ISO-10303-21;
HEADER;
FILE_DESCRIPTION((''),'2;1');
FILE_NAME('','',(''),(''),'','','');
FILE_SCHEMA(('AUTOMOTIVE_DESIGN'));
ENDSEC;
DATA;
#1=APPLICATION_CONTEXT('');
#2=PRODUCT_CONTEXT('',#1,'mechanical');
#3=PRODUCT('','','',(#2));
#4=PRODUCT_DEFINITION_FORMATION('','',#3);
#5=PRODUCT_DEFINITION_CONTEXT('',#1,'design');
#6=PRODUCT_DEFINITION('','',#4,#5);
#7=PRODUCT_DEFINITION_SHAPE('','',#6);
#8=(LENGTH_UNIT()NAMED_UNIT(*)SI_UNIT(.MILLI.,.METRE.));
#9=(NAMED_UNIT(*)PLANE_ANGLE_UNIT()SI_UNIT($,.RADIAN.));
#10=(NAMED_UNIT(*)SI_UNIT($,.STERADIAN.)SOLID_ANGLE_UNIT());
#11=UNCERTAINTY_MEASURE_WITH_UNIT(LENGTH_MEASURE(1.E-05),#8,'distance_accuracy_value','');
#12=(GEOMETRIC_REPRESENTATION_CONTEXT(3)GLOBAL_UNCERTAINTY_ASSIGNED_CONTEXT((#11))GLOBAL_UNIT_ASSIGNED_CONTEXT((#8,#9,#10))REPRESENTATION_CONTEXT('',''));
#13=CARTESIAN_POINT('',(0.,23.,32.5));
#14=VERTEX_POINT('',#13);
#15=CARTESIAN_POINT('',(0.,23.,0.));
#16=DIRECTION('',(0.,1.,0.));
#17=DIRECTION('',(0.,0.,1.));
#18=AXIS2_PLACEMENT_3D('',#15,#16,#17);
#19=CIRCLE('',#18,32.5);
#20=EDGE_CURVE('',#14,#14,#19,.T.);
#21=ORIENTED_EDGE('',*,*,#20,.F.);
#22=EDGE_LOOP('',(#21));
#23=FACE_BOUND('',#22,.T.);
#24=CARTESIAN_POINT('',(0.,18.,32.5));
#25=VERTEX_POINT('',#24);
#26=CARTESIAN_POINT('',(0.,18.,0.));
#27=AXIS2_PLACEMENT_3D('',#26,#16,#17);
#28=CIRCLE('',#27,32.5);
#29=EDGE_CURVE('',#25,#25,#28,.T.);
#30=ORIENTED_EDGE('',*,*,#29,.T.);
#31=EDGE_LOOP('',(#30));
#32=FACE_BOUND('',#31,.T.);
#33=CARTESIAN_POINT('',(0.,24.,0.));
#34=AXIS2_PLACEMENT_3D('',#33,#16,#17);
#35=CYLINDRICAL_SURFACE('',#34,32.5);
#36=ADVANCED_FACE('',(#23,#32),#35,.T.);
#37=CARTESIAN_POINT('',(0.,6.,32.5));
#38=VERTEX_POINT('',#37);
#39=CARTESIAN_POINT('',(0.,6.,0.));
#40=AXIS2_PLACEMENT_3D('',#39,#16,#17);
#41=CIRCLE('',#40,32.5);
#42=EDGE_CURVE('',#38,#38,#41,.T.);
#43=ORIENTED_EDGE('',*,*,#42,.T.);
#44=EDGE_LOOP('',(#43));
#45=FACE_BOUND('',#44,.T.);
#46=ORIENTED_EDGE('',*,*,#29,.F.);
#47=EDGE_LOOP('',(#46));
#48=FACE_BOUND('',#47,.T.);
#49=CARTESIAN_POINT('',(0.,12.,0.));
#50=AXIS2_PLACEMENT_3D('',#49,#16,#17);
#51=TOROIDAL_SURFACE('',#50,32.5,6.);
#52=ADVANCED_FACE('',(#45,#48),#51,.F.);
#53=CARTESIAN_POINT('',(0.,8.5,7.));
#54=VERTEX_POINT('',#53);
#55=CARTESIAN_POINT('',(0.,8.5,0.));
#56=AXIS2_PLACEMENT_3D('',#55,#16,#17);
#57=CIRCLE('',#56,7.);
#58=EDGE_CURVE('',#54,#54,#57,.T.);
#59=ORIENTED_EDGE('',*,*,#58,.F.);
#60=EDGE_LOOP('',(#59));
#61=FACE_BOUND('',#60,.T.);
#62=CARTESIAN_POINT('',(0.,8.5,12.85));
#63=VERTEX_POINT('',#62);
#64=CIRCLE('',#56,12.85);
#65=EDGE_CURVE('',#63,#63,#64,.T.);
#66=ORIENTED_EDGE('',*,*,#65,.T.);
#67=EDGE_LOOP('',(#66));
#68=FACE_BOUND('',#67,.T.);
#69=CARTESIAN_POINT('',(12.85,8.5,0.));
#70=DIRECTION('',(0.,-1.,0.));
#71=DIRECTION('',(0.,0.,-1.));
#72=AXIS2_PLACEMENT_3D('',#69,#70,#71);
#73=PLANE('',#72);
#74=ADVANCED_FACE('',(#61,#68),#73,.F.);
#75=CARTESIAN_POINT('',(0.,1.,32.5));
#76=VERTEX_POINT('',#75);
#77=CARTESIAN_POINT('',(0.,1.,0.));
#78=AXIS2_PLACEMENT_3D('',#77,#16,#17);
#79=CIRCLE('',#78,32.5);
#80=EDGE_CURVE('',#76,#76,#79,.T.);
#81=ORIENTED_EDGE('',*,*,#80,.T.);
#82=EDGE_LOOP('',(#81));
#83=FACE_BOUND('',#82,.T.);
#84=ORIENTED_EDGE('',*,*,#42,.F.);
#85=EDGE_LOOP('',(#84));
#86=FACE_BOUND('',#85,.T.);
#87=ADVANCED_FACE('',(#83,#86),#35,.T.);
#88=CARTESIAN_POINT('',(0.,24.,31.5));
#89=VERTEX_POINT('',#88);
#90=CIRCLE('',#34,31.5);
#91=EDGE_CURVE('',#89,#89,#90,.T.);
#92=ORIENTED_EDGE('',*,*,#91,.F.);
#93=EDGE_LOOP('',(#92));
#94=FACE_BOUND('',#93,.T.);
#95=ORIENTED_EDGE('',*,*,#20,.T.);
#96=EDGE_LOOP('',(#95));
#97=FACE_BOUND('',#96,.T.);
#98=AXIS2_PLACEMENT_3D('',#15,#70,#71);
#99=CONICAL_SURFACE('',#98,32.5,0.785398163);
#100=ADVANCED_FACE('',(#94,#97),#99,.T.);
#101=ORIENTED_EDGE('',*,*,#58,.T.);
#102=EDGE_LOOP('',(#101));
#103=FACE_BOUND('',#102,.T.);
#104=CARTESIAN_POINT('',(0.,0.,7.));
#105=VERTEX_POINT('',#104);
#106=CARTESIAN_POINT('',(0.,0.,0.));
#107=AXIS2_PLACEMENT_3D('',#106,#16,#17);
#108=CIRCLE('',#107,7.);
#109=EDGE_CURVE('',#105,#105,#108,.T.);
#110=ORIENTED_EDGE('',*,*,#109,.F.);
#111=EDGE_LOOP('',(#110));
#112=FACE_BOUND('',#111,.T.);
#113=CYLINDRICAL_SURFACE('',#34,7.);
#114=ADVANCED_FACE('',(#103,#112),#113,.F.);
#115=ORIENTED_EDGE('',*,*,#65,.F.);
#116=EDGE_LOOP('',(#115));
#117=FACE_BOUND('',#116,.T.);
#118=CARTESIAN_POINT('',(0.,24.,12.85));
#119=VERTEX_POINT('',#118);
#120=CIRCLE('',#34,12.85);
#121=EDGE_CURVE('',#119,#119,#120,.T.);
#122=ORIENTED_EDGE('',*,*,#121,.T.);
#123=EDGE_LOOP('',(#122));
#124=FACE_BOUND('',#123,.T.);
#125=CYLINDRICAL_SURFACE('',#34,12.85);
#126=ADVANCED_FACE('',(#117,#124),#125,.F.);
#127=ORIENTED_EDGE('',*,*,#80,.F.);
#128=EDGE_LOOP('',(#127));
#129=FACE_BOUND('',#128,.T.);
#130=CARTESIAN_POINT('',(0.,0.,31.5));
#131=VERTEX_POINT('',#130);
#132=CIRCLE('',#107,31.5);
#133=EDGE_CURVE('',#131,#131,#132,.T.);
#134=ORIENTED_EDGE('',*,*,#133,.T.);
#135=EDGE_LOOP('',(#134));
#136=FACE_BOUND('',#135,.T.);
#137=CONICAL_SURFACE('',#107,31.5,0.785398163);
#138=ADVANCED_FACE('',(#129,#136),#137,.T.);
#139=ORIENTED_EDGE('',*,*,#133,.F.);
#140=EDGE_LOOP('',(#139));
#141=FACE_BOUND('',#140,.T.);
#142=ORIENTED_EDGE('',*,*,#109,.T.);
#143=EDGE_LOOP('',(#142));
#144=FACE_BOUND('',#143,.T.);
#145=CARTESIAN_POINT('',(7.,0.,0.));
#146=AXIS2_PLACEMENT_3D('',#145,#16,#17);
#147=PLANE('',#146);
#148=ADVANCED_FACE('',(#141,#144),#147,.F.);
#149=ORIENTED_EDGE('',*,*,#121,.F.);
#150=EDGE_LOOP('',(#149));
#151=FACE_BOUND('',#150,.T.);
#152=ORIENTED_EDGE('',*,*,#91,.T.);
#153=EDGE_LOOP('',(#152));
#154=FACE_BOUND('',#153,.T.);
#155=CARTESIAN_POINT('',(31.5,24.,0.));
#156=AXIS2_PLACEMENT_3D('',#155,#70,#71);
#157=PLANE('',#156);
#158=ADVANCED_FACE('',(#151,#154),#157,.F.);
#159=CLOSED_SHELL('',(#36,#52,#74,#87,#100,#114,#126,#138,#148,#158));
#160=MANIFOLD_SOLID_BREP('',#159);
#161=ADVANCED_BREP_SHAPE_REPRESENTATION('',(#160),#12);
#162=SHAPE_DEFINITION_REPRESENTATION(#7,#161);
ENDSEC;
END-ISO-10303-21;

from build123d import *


with BuildPart() as part:
    # Sketch1 → Revolve1 (revolve)
    with BuildSketch(Plane.XY, mode=Mode.PRIVATE) as revolve1_sk:
        with BuildLine():
            Line((7, 0), (31.5, 0))
            Line((31.5, 0), (32.5, 1))
            Line((32.5, 1), (32.5, 6))
            ThreePointArc((32.5, 6), (26.5, 12), (32.5, 18))
            Line((32.5, 18), (32.5, 23))
            Line((32.5, 23), (31.5, 24))
            Line((31.5, 24), (12.85, 24))
            Line((12.85, 24), (12.85, 8.5))
            Line((12.85, 8.5), (7, 8.5))
            Line((7, 8.5), (7, 0))
        make_face()
    revolve(revolve1_sk.sketch.rotate(Axis((0, 24, 0), (0, -1, 0)), 90), axis=Axis((0, 24, 0), (0, -1, 0)))


solid = part.part
